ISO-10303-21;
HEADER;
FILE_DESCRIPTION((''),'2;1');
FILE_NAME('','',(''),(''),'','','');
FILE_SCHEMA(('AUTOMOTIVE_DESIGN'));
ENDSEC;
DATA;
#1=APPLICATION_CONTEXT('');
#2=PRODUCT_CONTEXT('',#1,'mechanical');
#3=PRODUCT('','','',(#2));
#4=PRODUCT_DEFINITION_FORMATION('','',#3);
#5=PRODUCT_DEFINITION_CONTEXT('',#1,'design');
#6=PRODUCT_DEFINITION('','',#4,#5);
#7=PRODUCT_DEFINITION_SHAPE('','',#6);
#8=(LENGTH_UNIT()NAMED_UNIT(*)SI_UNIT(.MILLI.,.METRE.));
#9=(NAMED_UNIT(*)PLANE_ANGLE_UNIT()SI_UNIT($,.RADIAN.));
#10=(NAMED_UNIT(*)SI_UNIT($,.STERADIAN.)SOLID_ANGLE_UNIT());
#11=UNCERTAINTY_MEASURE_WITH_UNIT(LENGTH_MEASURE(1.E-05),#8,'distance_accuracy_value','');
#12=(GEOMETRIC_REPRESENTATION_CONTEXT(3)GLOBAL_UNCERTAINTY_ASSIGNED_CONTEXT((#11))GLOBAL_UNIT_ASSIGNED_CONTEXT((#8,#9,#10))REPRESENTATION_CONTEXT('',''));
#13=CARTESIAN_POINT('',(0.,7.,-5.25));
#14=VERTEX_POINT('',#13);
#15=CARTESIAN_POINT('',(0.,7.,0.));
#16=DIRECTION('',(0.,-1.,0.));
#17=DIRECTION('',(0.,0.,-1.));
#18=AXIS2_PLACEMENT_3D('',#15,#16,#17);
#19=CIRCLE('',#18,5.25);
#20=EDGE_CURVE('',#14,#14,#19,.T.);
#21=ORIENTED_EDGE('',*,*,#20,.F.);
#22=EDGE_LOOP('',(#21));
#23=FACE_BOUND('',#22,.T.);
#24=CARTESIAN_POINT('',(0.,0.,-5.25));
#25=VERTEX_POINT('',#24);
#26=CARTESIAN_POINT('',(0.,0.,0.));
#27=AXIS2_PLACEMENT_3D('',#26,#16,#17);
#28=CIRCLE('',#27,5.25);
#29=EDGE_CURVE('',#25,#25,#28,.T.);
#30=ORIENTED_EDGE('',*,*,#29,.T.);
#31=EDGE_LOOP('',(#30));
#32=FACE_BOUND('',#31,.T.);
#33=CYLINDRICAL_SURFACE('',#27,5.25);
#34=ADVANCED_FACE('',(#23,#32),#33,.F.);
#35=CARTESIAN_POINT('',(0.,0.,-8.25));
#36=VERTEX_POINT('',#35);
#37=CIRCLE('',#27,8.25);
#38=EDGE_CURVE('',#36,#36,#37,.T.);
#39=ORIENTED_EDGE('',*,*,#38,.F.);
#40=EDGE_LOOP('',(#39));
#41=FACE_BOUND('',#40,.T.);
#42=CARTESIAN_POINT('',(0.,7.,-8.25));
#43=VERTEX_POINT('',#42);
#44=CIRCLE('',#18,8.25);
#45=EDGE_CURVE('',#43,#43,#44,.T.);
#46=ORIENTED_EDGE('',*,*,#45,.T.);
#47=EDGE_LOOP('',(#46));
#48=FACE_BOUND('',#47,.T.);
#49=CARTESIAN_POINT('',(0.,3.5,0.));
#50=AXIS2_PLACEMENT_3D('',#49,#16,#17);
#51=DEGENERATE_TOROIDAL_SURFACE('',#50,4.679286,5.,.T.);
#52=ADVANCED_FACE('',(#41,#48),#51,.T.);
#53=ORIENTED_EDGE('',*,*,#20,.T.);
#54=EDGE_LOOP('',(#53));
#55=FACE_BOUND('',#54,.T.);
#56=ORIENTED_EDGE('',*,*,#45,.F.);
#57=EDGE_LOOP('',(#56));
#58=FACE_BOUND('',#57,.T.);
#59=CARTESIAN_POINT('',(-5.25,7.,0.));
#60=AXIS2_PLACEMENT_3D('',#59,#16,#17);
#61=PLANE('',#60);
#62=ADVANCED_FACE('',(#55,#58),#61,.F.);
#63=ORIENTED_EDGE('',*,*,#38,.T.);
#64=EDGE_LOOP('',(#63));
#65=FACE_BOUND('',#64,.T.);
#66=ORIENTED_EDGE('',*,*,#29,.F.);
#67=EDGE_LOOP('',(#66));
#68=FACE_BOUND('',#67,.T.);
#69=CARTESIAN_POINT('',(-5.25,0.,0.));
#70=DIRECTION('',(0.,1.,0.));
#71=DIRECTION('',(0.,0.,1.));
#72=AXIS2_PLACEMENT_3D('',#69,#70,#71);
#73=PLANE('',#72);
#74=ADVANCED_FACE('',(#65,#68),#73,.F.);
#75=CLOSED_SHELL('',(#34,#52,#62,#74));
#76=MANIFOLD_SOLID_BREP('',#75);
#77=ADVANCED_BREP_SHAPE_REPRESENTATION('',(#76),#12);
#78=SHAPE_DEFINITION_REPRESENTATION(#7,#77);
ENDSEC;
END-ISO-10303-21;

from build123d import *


with BuildPart() as part:
    # Sketch1 → Revolve1 (revolve)
    with BuildSketch(Plane.XY, mode=Mode.PRIVATE) as revolve1_sk:
        with BuildLine():
            Line((-5.25, 7), (-5.25, 0))
            Line((-5.25, 0), (-8.25, 0))
            ThreePointArc((-8.25, 0), (-9.679285786, 3.5), (-8.25, 7))
            Line((-8.25, 7), (-5.25, 7))
        make_face()
    revolve(revolve1_sk.sketch.rotate(Axis((0, 0, 0), (0, 1, 0)), 270), axis=Axis((0, 0, 0), (0, 1, 0)))


solid = part.part
